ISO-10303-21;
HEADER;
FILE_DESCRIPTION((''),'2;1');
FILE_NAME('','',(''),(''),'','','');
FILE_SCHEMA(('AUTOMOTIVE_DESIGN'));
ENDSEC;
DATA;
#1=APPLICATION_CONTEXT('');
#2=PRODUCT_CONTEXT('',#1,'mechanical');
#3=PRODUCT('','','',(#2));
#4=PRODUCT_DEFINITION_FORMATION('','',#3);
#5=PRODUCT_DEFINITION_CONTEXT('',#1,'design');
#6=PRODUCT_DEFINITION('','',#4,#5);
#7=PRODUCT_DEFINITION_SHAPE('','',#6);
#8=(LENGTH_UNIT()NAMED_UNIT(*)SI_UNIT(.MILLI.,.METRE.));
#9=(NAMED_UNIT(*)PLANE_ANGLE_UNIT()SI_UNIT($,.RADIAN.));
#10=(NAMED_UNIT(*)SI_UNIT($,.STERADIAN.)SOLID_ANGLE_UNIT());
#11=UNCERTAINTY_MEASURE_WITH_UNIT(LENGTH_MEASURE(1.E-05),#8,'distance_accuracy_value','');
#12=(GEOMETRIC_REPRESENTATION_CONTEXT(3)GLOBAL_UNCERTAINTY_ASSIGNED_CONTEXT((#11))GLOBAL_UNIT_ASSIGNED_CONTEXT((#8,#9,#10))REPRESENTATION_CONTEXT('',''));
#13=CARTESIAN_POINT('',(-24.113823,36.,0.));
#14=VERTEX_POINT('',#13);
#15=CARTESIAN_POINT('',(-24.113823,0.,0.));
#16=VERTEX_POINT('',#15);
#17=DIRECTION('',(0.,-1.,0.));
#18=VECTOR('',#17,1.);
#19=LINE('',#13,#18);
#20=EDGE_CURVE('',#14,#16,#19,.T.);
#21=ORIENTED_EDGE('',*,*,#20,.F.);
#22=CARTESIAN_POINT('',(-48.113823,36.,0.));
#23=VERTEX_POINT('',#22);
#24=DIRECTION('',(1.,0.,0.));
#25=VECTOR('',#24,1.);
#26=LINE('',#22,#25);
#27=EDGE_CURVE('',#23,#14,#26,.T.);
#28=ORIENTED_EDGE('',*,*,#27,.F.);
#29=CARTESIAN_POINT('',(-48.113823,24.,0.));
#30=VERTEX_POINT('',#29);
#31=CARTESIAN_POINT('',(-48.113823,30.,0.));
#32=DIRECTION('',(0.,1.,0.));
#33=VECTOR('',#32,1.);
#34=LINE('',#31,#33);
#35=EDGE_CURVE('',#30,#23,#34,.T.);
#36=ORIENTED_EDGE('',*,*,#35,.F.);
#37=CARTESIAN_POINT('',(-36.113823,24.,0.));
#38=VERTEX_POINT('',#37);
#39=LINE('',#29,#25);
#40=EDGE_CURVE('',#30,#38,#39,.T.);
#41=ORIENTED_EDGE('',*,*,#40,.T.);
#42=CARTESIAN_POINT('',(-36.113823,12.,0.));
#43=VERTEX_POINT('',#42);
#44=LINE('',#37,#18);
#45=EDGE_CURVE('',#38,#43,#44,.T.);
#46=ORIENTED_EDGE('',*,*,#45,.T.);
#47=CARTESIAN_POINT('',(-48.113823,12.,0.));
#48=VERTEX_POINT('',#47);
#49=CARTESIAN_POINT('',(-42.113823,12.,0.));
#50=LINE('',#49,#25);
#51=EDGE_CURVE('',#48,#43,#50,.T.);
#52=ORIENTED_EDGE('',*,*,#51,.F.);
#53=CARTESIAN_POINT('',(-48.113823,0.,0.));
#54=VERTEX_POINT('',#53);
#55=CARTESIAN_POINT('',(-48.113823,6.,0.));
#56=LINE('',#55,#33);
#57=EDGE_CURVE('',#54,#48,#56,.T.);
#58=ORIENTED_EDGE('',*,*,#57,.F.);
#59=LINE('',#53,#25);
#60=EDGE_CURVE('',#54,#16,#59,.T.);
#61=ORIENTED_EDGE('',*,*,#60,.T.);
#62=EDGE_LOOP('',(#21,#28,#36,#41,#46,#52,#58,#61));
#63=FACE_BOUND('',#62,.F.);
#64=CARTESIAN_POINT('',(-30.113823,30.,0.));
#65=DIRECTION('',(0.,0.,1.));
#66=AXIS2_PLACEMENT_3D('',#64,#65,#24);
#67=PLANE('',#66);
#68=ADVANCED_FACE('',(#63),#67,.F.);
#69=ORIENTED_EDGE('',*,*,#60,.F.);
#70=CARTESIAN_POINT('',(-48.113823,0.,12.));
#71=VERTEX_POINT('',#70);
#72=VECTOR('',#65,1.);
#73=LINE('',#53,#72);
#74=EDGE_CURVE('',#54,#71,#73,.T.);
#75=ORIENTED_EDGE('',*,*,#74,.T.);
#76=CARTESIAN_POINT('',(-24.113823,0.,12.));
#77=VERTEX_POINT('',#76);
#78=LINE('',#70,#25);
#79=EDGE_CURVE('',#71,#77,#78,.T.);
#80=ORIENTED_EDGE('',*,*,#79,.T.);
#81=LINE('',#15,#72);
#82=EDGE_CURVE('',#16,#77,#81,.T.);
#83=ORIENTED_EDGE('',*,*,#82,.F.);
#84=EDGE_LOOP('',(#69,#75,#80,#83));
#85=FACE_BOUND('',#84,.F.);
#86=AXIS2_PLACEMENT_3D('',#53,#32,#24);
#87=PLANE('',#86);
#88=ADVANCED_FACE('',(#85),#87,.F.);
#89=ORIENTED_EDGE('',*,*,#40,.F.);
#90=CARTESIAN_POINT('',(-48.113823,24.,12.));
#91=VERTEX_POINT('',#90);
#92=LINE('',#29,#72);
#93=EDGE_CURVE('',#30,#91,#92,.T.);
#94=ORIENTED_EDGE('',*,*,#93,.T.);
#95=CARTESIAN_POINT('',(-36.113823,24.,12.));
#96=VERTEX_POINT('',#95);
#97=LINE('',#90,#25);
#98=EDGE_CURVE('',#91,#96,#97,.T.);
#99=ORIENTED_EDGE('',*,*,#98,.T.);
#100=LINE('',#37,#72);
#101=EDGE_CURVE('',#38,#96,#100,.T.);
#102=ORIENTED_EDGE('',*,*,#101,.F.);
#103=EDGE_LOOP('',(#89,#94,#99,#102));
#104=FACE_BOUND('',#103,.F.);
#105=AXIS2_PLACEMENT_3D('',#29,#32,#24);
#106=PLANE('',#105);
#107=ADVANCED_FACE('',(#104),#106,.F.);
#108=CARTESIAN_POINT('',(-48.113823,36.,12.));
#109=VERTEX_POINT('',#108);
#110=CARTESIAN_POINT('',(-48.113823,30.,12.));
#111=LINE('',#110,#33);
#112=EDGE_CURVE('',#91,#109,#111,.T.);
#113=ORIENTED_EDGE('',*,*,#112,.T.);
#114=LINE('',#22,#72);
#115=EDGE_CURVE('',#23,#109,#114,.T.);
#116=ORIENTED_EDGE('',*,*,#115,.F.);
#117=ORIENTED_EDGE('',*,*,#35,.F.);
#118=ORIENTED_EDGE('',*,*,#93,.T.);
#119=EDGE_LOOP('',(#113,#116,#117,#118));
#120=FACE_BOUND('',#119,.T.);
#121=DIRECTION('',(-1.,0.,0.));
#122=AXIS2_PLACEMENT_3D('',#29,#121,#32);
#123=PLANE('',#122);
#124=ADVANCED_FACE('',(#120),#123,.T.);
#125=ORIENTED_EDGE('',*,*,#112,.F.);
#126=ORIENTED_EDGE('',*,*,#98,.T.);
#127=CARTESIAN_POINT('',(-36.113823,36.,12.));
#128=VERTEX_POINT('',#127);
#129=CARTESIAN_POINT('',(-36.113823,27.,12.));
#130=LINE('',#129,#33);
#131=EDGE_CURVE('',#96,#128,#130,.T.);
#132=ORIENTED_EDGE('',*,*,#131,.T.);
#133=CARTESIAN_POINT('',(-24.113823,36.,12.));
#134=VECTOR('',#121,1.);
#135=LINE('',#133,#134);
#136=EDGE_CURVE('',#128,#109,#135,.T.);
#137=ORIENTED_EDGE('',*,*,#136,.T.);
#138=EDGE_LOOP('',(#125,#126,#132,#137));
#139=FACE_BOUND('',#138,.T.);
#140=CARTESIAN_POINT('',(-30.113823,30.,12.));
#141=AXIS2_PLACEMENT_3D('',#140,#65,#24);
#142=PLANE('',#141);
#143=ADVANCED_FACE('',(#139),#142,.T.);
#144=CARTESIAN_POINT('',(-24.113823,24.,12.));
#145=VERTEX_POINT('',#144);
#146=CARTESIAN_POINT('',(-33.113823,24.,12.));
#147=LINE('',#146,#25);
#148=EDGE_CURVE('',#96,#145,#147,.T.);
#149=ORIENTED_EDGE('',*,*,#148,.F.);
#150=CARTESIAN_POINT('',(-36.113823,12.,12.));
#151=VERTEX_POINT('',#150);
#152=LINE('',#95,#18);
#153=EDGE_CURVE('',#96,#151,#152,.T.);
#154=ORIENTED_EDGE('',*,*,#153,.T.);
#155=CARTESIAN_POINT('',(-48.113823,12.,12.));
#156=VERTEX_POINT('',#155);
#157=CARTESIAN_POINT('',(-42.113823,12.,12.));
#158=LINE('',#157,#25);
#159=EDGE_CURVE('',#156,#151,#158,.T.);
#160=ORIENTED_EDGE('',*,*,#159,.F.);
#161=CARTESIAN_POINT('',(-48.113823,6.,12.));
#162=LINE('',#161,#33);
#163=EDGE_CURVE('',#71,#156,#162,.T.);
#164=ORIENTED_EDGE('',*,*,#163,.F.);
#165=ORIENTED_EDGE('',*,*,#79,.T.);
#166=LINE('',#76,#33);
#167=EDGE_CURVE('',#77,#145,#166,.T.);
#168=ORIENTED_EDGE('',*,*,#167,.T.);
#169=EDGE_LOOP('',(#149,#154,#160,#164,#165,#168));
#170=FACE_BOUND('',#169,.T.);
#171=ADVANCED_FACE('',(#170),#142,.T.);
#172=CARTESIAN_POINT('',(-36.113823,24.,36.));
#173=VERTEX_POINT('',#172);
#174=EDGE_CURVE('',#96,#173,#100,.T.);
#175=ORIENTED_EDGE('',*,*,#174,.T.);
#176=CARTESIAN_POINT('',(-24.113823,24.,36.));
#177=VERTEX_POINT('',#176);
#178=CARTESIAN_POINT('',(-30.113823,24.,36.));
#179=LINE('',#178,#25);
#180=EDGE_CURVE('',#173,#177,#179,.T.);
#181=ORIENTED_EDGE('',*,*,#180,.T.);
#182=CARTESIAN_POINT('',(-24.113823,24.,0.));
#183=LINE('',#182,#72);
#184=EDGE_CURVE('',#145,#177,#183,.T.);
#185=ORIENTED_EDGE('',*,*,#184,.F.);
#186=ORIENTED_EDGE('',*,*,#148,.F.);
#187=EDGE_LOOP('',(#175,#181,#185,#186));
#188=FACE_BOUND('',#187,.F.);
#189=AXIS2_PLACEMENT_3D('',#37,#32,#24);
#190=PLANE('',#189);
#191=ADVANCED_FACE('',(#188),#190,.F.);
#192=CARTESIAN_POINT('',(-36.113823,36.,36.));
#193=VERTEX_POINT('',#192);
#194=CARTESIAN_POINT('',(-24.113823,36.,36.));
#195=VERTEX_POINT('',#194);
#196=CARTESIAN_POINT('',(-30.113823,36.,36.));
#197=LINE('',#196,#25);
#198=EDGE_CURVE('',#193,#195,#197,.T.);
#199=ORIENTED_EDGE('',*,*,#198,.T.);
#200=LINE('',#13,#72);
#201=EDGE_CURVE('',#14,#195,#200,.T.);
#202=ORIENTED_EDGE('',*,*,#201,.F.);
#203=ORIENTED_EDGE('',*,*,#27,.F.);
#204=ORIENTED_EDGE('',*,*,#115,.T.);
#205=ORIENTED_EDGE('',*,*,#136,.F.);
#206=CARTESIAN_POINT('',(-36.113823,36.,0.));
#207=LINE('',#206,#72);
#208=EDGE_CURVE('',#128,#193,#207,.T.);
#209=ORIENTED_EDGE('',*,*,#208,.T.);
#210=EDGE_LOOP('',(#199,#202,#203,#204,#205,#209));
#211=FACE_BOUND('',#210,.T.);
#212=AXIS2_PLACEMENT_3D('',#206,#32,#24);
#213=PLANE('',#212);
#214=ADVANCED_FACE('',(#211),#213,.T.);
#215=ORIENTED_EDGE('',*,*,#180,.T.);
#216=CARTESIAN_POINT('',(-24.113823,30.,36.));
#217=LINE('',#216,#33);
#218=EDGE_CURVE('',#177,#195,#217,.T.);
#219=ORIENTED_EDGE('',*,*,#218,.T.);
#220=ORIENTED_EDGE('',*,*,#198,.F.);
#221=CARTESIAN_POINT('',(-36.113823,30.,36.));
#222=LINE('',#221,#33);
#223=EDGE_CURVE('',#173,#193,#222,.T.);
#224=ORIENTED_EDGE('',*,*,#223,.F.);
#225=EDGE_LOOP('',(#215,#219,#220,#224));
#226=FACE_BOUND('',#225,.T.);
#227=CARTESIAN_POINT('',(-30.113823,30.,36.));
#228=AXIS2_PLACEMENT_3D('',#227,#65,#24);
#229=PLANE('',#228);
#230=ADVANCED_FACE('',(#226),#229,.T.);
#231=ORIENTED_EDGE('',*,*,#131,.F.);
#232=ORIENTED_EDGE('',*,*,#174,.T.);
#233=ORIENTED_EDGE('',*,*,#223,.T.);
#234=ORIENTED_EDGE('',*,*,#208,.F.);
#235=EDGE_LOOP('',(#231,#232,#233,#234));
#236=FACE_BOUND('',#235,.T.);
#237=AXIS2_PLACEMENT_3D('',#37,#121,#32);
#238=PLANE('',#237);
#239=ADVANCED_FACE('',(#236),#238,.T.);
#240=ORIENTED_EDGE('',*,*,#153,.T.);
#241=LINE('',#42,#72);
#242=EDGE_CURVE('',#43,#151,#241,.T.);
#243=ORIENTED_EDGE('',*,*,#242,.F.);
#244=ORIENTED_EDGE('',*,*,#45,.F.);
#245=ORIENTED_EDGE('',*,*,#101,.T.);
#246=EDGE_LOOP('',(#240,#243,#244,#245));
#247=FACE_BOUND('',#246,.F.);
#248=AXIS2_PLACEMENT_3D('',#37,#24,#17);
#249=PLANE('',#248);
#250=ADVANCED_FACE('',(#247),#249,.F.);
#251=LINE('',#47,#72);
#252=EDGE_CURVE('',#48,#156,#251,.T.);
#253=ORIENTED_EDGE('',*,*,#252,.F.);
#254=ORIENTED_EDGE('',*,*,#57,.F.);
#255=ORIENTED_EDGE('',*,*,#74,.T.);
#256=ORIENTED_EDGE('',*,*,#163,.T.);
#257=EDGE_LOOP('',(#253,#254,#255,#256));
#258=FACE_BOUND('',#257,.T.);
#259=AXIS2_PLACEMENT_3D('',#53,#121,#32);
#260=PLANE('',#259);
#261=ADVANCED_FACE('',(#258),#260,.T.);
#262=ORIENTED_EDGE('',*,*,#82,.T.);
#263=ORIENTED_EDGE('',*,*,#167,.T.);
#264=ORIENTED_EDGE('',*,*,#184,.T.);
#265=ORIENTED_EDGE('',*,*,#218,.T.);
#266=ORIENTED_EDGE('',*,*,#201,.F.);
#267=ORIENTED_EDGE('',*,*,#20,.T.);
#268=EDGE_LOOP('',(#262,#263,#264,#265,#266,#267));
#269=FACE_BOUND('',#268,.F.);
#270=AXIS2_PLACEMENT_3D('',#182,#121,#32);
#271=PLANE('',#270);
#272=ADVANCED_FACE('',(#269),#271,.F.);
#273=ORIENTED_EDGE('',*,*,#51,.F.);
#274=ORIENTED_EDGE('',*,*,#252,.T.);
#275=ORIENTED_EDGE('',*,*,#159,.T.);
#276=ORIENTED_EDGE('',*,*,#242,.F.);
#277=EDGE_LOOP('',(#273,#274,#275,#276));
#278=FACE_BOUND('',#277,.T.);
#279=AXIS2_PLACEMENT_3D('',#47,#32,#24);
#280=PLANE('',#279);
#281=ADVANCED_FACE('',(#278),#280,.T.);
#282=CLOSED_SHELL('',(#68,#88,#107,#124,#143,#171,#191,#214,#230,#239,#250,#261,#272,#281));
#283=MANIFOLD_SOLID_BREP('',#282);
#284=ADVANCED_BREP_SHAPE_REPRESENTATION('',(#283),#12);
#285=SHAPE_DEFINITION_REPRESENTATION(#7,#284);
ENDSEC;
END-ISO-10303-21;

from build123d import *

# Parameters (mm, degrees)
F0_W     = 12
F0_H     = 12
F1_DEPTH = 36
F2_DEPTH = 12


with BuildPart() as f1:
    # F0 (on Top) → F1 (new body)
    with BuildSketch(Plane.XY):
        with Locations((-30.113823, 30)):
            Rectangle(F0_W, F0_H)
    extrude(amount=F1_DEPTH)

    # F0 (on Top) → F2 (join)
    with BuildSketch(Plane.XY):
        with Locations((-30.113823, 30)):
            Rectangle(F0_W, F0_H)
        with Locations((-42.113823, 30)):
            Rectangle(F0_W, F0_H)
        with Locations((-30.113823, 18)):
            Rectangle(F0_W, F0_H)
        with Locations((-30.113823, 6)):
            Rectangle(F0_W, F0_H)
        with Locations((-42.113823, 6)):
            Rectangle(F0_W, F0_H)
    extrude(amount=F2_DEPTH)


solid = f1.part
